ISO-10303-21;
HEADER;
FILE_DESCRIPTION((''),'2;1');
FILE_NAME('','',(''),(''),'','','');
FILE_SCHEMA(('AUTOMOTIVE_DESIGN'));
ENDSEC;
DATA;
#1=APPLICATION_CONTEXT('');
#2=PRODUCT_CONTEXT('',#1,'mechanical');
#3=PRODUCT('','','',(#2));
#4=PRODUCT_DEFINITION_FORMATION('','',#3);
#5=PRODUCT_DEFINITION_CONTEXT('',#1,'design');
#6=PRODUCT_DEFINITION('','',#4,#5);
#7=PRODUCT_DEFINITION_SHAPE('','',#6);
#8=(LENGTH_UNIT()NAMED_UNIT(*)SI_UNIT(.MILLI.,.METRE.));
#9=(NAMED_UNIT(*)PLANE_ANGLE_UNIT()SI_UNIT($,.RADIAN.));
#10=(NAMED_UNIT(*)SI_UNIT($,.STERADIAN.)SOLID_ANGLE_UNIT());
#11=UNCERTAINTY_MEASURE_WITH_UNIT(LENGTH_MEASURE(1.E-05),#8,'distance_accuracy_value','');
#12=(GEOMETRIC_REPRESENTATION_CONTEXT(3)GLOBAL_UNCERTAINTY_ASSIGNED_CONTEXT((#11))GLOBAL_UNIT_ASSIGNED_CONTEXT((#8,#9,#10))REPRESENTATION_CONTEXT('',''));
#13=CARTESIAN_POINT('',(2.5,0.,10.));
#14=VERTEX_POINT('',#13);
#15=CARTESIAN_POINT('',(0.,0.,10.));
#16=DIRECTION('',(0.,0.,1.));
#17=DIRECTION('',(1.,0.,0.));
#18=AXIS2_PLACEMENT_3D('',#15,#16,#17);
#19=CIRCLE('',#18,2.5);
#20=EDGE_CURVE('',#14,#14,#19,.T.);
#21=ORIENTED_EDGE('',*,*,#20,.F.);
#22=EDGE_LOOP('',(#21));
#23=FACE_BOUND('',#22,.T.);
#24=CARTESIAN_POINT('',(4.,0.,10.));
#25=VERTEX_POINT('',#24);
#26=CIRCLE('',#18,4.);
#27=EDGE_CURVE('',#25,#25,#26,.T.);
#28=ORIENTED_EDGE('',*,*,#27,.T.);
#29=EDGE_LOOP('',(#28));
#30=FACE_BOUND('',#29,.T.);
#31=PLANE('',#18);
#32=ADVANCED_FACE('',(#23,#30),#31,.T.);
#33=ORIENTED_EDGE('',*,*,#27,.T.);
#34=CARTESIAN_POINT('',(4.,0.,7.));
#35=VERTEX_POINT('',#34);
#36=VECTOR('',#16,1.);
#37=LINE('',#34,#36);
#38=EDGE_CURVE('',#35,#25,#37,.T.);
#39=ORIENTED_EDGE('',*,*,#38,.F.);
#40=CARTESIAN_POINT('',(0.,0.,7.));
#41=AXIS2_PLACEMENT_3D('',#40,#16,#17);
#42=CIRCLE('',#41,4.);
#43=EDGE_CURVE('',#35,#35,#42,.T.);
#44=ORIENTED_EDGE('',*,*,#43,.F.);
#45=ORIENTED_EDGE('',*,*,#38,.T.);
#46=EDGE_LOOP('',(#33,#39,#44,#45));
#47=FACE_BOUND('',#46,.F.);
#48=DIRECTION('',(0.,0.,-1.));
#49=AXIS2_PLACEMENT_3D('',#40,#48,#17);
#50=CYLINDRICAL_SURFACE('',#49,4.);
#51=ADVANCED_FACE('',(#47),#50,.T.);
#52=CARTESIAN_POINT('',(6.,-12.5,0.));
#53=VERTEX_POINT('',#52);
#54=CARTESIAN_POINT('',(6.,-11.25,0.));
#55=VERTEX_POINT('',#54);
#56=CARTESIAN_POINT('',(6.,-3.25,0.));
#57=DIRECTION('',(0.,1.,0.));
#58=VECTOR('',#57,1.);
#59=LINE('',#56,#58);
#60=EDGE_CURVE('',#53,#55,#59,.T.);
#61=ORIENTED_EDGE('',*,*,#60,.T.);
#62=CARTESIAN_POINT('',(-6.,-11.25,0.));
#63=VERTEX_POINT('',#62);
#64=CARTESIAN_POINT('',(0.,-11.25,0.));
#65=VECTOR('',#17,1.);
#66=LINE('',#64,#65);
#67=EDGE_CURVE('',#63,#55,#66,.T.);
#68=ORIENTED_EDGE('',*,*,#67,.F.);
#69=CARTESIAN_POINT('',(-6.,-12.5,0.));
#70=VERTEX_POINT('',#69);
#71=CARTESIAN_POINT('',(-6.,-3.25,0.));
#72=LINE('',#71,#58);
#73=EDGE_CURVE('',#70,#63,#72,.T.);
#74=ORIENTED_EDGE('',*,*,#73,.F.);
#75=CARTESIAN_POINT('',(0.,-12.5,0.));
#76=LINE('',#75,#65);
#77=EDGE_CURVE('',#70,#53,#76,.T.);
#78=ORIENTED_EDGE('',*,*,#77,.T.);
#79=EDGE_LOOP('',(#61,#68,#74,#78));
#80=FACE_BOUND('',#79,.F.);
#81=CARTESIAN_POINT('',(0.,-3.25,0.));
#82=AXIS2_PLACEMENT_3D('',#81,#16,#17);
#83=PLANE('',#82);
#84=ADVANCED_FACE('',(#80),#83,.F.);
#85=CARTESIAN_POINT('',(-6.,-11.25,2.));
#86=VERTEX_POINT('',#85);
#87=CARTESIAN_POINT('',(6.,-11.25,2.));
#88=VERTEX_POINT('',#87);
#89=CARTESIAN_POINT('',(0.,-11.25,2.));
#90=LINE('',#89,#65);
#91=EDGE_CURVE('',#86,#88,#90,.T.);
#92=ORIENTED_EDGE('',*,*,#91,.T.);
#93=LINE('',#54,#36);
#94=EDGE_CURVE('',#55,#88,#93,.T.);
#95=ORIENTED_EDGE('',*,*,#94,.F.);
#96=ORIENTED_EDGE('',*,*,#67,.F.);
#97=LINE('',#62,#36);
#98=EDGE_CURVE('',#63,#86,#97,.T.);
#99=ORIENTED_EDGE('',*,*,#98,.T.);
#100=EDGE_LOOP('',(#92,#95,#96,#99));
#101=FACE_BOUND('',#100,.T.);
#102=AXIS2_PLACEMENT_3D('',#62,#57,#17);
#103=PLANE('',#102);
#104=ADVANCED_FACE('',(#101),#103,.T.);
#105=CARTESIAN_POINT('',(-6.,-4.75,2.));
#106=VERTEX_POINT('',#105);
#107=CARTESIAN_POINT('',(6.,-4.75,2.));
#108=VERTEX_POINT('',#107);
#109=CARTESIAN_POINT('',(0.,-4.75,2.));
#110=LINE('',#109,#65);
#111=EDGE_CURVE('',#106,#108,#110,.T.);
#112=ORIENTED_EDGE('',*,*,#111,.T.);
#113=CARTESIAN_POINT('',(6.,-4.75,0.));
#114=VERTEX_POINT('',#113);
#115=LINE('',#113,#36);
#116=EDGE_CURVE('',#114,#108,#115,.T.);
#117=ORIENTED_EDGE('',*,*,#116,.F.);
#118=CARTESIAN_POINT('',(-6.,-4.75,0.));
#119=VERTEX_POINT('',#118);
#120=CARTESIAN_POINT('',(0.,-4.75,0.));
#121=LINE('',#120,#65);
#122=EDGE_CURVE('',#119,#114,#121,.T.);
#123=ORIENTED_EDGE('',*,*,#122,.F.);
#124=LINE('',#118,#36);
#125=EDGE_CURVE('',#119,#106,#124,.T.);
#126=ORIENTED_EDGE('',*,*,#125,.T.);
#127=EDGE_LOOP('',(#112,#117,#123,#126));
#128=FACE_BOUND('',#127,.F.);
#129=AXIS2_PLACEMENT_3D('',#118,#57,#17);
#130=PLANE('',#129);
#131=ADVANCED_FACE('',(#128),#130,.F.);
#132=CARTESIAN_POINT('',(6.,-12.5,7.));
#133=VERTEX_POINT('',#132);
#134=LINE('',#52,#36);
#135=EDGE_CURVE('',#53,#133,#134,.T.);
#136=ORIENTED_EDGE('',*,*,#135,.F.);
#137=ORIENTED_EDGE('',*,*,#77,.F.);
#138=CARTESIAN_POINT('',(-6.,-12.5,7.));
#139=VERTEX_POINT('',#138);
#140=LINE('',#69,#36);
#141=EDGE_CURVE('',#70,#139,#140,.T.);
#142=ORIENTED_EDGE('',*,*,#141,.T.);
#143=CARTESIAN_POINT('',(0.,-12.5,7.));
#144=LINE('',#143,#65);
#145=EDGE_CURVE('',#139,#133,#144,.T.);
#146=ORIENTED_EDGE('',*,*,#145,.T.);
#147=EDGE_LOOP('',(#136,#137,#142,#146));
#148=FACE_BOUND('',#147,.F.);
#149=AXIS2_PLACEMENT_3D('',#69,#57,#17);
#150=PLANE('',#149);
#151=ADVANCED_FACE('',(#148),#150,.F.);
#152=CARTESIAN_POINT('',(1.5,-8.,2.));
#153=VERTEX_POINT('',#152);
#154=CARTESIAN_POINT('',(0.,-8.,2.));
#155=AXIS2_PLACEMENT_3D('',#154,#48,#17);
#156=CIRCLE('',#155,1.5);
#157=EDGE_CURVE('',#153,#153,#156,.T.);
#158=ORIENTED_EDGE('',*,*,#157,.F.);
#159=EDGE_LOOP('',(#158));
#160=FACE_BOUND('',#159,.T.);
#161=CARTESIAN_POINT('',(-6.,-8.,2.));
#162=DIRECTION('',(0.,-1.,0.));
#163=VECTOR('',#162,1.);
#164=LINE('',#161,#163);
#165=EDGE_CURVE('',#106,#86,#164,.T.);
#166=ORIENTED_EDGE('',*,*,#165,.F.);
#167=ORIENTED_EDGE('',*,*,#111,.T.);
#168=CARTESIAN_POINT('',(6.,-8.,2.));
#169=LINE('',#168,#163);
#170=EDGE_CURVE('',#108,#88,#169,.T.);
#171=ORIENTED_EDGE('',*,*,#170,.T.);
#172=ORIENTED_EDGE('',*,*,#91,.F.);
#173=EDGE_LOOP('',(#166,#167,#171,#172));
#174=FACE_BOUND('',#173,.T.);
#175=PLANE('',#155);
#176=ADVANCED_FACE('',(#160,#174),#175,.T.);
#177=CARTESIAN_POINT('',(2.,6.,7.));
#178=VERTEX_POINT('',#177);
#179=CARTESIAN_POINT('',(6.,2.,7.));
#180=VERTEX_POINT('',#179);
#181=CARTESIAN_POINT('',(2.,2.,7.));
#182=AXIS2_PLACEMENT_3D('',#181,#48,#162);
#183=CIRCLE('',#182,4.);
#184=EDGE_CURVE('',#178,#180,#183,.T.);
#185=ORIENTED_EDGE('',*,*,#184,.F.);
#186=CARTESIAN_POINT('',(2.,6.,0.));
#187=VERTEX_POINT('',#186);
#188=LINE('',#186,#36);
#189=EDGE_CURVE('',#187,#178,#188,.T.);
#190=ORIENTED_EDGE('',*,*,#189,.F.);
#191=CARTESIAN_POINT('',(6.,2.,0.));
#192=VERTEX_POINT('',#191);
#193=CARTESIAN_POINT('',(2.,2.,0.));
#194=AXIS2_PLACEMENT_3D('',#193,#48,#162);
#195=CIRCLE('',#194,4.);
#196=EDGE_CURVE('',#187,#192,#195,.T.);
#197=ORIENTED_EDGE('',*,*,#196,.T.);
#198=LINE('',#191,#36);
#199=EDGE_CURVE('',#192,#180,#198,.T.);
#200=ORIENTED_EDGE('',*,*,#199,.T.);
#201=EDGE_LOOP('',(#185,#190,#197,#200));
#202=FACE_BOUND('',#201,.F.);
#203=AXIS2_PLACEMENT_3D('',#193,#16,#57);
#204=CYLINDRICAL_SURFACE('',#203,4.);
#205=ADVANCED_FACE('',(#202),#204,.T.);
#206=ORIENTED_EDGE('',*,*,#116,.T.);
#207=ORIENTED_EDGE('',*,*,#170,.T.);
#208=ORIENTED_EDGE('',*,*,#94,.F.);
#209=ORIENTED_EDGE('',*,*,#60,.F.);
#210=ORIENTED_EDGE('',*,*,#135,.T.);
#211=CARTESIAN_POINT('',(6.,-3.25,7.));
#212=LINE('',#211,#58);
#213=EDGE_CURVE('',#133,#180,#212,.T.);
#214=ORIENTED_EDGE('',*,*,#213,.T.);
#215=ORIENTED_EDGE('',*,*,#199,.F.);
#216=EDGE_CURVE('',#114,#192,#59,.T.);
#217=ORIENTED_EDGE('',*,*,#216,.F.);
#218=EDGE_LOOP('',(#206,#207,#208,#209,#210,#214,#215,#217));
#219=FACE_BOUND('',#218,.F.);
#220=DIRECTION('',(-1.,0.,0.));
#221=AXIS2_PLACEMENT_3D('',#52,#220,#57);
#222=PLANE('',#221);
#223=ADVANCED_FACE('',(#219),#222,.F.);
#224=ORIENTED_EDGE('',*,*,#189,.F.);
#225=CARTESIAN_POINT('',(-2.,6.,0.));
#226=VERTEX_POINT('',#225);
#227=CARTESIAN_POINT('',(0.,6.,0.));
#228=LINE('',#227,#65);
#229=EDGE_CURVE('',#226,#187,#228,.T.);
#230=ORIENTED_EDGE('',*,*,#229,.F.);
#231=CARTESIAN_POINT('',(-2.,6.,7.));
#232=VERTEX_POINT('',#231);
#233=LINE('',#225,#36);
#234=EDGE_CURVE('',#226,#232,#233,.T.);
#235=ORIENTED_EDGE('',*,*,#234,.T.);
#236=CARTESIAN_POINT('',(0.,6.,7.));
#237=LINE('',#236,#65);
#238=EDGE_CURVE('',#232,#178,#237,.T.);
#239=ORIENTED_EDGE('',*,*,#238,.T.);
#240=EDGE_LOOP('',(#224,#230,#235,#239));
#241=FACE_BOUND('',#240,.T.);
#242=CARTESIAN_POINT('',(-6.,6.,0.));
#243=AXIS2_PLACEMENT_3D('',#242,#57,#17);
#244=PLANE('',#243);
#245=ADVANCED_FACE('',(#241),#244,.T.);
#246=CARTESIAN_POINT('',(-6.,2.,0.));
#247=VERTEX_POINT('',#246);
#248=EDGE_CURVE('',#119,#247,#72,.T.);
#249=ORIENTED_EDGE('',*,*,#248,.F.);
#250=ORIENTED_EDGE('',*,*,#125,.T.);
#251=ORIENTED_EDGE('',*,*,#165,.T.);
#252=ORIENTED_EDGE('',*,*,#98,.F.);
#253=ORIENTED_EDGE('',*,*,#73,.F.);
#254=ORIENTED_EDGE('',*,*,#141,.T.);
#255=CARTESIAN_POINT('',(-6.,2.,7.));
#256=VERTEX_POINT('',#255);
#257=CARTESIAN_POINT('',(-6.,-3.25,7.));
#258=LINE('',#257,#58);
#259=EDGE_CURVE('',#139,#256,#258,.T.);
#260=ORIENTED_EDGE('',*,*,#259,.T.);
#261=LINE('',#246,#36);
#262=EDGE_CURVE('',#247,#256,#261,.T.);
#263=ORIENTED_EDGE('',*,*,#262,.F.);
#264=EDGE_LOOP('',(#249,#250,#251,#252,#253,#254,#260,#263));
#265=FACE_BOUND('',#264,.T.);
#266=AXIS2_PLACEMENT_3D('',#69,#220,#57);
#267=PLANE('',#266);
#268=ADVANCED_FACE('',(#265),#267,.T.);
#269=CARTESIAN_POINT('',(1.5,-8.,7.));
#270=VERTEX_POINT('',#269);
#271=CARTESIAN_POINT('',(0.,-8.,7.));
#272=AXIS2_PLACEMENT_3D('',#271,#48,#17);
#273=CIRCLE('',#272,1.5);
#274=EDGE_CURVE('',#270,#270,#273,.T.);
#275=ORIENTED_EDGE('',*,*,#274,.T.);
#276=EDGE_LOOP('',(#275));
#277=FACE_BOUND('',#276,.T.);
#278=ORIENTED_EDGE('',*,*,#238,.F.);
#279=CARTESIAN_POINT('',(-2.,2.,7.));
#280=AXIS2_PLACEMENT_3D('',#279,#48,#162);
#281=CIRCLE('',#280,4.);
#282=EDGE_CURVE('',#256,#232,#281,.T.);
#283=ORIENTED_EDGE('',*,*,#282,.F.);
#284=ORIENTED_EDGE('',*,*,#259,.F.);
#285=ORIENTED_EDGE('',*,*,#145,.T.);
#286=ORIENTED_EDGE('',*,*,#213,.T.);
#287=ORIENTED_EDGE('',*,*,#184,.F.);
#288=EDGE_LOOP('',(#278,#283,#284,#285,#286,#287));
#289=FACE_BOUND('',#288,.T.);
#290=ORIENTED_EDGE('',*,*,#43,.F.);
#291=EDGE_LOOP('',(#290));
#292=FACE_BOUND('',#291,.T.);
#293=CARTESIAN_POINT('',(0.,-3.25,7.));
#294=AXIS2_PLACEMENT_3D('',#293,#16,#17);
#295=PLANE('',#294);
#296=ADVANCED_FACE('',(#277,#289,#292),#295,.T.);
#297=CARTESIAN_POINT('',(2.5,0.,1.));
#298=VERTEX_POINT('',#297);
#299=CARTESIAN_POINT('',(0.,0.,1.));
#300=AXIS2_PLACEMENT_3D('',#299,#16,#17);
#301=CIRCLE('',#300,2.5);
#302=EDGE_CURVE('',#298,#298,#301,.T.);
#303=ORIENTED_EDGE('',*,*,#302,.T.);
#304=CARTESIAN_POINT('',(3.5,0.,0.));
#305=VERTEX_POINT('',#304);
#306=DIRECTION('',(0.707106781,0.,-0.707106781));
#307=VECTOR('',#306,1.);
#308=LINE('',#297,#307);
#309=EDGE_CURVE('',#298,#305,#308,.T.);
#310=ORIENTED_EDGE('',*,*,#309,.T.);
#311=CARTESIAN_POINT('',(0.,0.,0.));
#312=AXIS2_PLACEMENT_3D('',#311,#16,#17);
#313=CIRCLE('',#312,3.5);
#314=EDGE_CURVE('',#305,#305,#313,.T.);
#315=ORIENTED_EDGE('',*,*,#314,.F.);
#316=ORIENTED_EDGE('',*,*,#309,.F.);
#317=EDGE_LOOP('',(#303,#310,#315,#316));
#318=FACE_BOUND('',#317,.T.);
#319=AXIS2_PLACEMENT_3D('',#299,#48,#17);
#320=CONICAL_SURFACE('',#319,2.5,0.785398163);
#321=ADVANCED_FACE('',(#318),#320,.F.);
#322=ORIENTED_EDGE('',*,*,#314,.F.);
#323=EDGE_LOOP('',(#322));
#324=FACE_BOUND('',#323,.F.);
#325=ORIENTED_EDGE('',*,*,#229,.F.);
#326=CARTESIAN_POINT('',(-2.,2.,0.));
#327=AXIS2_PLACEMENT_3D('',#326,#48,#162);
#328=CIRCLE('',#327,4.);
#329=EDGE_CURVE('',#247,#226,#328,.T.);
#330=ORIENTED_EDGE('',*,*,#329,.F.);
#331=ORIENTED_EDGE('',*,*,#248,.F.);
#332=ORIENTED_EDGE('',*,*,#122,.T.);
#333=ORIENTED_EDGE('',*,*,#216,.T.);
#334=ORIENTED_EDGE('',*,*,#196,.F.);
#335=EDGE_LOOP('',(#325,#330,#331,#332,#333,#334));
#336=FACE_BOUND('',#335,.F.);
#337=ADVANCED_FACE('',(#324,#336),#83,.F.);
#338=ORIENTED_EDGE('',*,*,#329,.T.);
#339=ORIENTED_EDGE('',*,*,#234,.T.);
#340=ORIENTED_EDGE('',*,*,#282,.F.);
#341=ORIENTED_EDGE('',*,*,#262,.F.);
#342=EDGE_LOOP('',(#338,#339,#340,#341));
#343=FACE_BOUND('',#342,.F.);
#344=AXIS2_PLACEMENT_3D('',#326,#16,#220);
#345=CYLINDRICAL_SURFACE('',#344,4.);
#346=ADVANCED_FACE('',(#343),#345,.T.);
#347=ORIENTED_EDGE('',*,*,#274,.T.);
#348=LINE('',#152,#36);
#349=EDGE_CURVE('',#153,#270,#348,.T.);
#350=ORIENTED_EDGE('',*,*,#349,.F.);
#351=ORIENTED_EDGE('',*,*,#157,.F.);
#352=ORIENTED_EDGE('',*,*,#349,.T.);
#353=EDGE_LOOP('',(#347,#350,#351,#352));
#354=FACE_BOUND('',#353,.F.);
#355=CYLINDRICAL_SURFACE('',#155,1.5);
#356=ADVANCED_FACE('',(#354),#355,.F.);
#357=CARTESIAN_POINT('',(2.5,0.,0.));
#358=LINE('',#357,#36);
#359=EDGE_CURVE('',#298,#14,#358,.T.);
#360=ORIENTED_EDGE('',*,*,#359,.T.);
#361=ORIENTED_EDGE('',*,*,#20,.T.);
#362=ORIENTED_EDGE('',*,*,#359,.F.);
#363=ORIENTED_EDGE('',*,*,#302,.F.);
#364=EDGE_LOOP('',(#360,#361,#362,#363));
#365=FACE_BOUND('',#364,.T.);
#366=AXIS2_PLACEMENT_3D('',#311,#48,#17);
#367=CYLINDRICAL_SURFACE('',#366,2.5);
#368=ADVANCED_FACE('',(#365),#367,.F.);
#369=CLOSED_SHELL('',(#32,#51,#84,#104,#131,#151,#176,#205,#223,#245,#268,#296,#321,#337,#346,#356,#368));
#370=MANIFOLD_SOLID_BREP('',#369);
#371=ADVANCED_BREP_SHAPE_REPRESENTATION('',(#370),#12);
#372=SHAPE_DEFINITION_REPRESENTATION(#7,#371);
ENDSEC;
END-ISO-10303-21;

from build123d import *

# Parameters (mm, degrees)
SKETCH_W        = 12
SKETCH_H        = 18.5
SKETCH_R        = 2.5
PAD_DEPTH       = 7
SKETCH001_W     = 12
SKETCH001_H     = 6.5
POCKET_DEPTH    = 2
SKETCH002_R     = 1.5
POCKET001_DEPTH = 5.001
SKETCH003_R     = 4
PAD001_DEPTH    = 3
SKETCH004_R     = 2.5
POCKET002_DEPTH = 5
FILLET_R        = 4
CHAMFER_SIZE    = 1


with BuildPart() as part:
    # Sketch → Pad (new body)
    with BuildSketch(Plane.XY):
        with Locations((0, -3.25)):
            Rectangle(SKETCH_W, SKETCH_H)
        Circle(SKETCH_R, mode=Mode.SUBTRACT)
    extrude(amount=PAD_DEPTH)

    # Sketch001 (on Face6 of Pad) → Pocket (cut)
    with BuildSketch(Plane(origin=(0, 0, 0), x_dir=(1, 0, 0), z_dir=(0, 0, -1))):
        with Locations((0, 8)):
            Rectangle(SKETCH001_W, SKETCH001_H)
    extrude(amount=-POCKET_DEPTH, mode=Mode.SUBTRACT)

    # Sketch002 (on Face7 of Pocket) → Pocket001 (cut, through all)
    with BuildSketch(Plane(origin=(0, 0, 2), x_dir=(1, 0, 0), z_dir=(0, 0, -1))):
        with Locations((0, 8)):
            Circle(SKETCH002_R)
    extrude(amount=-POCKET001_DEPTH, mode=Mode.SUBTRACT)

    # Sketch003 (on Face7 of Pad) → Pad001 (join)
    with BuildSketch(Plane.XY.offset(7)):
        Circle(SKETCH003_R)
    extrude(amount=PAD001_DEPTH)

    # Sketch004 (on Face15 of Pad001) → Pocket002 (cut)
    with BuildSketch(Plane.XY.offset(10)):
        Circle(SKETCH004_R)
    extrude(amount=-POCKET002_DEPTH, mode=Mode.SUBTRACT)

    # Fillet
    fillet_edges = [part.edges().sort_by_distance(p)[0] for p in [
        (6, 6, 3.5),
        (-6, 6, 3.5),
    ]]
    fillet(fillet_edges, radius=FILLET_R)

    # Chamfer
    chamfer_edges = [part.edges().sort_by_distance(p)[0] for p in [
        (-2.5, 0, 0),
    ]]
    chamfer(chamfer_edges, length=CHAMFER_SIZE)


solid = part.part
